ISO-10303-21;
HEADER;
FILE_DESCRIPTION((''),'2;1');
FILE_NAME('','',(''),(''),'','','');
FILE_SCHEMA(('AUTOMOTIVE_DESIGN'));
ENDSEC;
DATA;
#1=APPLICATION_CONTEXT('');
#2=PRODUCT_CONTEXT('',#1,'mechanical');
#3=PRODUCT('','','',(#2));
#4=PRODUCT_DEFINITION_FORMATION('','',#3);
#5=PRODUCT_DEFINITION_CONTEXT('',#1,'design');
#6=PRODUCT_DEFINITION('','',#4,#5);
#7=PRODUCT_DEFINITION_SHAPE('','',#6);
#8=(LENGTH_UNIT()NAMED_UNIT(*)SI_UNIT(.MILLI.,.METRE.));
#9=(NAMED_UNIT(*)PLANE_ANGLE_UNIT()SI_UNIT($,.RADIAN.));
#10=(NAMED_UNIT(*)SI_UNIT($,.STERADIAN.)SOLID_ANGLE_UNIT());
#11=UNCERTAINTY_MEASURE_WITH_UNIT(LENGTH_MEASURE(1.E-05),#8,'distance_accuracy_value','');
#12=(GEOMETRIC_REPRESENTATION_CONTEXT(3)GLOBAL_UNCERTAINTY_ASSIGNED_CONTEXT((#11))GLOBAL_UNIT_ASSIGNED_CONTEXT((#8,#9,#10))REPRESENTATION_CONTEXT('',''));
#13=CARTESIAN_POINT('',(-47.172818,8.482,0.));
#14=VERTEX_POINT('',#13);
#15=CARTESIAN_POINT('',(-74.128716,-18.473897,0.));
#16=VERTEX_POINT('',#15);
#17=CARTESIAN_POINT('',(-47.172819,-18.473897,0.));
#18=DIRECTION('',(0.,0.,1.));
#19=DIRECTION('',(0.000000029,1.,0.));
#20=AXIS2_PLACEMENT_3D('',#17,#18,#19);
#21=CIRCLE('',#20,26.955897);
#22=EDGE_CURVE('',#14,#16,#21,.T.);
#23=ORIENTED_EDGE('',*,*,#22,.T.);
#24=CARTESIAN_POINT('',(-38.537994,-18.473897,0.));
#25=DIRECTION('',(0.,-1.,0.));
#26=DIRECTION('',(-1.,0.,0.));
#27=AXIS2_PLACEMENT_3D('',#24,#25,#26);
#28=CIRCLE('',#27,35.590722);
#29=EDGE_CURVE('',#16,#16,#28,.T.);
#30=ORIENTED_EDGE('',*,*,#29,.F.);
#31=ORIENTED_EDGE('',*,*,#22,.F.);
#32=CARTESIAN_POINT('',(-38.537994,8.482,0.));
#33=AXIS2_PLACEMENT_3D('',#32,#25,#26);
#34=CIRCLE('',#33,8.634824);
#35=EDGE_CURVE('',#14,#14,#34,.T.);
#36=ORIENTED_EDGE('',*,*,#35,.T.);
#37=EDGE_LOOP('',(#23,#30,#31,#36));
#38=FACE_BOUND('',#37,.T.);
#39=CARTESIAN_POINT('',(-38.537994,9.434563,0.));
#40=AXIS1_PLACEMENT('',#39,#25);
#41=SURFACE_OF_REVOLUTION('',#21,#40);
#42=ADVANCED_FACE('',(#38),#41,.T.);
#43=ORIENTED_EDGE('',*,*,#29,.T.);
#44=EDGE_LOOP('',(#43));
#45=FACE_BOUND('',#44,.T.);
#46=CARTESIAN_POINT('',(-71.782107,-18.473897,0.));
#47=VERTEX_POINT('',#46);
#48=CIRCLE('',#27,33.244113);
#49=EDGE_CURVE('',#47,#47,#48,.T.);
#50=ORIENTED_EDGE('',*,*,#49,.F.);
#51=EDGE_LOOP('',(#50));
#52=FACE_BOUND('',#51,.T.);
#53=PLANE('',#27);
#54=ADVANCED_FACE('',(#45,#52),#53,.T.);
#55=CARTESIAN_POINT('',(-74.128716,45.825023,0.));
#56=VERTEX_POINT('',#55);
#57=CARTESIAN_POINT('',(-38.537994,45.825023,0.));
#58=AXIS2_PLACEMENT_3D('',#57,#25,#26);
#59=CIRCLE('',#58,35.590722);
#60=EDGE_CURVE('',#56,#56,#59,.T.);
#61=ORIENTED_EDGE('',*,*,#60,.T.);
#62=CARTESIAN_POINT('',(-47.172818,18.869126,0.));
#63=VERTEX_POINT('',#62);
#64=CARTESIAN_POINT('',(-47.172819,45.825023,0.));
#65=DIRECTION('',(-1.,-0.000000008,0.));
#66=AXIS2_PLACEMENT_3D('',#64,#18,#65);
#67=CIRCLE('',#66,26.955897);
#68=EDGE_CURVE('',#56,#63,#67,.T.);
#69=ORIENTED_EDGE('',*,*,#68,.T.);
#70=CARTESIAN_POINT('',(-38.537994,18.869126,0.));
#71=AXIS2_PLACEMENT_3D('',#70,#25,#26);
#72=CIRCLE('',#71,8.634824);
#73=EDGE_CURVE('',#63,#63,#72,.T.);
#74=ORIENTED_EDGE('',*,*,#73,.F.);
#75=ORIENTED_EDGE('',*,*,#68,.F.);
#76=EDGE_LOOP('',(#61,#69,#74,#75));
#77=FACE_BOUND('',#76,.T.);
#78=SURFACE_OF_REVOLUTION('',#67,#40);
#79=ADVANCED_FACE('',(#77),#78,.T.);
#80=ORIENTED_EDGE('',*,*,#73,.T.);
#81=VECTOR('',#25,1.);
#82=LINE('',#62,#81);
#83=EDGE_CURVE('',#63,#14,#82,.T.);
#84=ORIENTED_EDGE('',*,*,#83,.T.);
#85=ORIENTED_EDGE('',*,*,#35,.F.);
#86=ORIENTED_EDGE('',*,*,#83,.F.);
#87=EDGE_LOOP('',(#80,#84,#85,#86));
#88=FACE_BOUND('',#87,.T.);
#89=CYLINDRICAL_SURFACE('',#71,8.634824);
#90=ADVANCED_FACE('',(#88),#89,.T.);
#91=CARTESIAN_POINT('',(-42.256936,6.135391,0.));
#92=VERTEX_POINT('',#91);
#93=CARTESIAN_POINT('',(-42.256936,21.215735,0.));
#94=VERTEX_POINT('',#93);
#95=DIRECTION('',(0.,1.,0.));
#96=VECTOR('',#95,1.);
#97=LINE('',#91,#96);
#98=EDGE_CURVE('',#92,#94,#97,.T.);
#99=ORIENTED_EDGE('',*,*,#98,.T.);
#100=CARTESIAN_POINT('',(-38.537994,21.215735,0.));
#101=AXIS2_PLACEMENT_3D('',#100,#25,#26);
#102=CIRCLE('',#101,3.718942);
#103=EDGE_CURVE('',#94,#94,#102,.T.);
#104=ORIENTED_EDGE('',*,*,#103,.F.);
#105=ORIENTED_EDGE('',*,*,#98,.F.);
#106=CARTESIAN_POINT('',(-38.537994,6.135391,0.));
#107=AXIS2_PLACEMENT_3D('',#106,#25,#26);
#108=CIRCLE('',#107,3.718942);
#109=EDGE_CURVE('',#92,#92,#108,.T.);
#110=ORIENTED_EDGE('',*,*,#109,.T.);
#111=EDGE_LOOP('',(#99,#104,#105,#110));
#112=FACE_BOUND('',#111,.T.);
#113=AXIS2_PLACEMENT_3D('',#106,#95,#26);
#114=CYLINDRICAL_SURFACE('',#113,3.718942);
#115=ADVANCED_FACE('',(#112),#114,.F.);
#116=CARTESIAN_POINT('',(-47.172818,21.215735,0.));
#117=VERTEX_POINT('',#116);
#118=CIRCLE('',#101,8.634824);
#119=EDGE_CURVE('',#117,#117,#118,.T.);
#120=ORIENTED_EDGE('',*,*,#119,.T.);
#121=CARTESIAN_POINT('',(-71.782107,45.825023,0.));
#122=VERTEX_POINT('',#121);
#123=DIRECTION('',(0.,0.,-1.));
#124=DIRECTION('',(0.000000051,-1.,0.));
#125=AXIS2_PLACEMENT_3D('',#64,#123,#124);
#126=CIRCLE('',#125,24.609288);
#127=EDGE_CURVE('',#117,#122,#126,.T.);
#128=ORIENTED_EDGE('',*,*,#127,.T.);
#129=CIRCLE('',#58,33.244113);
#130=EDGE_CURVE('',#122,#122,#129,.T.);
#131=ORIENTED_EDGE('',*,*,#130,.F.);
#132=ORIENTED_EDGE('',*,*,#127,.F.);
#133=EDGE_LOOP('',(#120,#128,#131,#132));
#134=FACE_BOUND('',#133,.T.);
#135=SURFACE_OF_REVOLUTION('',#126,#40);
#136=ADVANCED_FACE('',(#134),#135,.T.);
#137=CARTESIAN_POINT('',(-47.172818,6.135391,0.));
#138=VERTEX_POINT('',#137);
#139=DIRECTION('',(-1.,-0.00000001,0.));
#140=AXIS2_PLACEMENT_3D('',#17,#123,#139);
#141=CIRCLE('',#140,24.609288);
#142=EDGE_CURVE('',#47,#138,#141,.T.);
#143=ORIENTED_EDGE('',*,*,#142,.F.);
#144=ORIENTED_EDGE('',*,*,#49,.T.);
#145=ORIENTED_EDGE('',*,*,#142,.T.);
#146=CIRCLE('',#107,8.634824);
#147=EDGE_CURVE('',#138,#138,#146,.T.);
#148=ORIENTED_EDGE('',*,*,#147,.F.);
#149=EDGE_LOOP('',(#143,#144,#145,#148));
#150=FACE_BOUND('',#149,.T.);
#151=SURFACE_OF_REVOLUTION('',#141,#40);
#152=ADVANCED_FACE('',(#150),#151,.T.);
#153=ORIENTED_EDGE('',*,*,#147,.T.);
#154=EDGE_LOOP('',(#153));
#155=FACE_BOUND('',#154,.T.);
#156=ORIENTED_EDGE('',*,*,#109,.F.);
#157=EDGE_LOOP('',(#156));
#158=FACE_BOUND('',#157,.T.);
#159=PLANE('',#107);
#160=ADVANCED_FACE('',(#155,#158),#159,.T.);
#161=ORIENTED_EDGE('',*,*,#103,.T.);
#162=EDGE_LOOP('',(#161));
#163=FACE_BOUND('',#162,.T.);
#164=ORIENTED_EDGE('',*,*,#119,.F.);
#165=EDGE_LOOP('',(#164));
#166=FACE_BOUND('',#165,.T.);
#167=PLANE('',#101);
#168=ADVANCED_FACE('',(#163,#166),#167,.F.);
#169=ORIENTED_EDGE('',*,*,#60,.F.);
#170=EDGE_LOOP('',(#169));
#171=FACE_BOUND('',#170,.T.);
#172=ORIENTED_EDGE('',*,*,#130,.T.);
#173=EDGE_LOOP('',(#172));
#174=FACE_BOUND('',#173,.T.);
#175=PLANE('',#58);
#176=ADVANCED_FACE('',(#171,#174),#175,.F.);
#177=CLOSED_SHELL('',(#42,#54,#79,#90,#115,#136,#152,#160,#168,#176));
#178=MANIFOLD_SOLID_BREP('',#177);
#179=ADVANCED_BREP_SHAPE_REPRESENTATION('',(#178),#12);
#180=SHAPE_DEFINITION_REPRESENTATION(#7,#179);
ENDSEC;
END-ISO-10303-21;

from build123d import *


with BuildPart() as f1:
    # F0 (on Top) → F1 (revolve)
    with BuildSketch(Plane.XY):
        with BuildLine():
            ThreePointArc((-47.172818, 21.215735), (-64.574213, 28.423628), (-71.782107, 45.825023))
            Line((-71.782107, 45.825023), (-74.128716, 45.825023))
            ThreePointArc((-74.128716, 45.825023), (-66.233516, 26.764325), (-47.172818, 18.869126))
            Line((-47.172818, 18.869126), (-47.172818, 13.675563))
            Line((-47.172818, 13.675563), (-47.172818, 8.482))
            ThreePointArc((-47.172818, 8.482), (-66.233516, 0.586801), (-74.128716, -18.473897))
            Line((-74.128716, -18.473897), (-71.782107, -18.473897))
            ThreePointArc((-71.782107, -18.473897), (-64.574213, -1.072502), (-47.172818, 6.135391))
            Line((-47.172818, 6.135391), (-42.256936, 6.135391))
            Line((-42.256936, 6.135391), (-42.256936, 21.215735))
            Line((-42.256936, 21.215735), (-47.172818, 21.215735))
        make_face()
    revolve(axis=Axis((-38.537994, 9.434563, 0), (0, -1, 0)))


solid = f1.part
